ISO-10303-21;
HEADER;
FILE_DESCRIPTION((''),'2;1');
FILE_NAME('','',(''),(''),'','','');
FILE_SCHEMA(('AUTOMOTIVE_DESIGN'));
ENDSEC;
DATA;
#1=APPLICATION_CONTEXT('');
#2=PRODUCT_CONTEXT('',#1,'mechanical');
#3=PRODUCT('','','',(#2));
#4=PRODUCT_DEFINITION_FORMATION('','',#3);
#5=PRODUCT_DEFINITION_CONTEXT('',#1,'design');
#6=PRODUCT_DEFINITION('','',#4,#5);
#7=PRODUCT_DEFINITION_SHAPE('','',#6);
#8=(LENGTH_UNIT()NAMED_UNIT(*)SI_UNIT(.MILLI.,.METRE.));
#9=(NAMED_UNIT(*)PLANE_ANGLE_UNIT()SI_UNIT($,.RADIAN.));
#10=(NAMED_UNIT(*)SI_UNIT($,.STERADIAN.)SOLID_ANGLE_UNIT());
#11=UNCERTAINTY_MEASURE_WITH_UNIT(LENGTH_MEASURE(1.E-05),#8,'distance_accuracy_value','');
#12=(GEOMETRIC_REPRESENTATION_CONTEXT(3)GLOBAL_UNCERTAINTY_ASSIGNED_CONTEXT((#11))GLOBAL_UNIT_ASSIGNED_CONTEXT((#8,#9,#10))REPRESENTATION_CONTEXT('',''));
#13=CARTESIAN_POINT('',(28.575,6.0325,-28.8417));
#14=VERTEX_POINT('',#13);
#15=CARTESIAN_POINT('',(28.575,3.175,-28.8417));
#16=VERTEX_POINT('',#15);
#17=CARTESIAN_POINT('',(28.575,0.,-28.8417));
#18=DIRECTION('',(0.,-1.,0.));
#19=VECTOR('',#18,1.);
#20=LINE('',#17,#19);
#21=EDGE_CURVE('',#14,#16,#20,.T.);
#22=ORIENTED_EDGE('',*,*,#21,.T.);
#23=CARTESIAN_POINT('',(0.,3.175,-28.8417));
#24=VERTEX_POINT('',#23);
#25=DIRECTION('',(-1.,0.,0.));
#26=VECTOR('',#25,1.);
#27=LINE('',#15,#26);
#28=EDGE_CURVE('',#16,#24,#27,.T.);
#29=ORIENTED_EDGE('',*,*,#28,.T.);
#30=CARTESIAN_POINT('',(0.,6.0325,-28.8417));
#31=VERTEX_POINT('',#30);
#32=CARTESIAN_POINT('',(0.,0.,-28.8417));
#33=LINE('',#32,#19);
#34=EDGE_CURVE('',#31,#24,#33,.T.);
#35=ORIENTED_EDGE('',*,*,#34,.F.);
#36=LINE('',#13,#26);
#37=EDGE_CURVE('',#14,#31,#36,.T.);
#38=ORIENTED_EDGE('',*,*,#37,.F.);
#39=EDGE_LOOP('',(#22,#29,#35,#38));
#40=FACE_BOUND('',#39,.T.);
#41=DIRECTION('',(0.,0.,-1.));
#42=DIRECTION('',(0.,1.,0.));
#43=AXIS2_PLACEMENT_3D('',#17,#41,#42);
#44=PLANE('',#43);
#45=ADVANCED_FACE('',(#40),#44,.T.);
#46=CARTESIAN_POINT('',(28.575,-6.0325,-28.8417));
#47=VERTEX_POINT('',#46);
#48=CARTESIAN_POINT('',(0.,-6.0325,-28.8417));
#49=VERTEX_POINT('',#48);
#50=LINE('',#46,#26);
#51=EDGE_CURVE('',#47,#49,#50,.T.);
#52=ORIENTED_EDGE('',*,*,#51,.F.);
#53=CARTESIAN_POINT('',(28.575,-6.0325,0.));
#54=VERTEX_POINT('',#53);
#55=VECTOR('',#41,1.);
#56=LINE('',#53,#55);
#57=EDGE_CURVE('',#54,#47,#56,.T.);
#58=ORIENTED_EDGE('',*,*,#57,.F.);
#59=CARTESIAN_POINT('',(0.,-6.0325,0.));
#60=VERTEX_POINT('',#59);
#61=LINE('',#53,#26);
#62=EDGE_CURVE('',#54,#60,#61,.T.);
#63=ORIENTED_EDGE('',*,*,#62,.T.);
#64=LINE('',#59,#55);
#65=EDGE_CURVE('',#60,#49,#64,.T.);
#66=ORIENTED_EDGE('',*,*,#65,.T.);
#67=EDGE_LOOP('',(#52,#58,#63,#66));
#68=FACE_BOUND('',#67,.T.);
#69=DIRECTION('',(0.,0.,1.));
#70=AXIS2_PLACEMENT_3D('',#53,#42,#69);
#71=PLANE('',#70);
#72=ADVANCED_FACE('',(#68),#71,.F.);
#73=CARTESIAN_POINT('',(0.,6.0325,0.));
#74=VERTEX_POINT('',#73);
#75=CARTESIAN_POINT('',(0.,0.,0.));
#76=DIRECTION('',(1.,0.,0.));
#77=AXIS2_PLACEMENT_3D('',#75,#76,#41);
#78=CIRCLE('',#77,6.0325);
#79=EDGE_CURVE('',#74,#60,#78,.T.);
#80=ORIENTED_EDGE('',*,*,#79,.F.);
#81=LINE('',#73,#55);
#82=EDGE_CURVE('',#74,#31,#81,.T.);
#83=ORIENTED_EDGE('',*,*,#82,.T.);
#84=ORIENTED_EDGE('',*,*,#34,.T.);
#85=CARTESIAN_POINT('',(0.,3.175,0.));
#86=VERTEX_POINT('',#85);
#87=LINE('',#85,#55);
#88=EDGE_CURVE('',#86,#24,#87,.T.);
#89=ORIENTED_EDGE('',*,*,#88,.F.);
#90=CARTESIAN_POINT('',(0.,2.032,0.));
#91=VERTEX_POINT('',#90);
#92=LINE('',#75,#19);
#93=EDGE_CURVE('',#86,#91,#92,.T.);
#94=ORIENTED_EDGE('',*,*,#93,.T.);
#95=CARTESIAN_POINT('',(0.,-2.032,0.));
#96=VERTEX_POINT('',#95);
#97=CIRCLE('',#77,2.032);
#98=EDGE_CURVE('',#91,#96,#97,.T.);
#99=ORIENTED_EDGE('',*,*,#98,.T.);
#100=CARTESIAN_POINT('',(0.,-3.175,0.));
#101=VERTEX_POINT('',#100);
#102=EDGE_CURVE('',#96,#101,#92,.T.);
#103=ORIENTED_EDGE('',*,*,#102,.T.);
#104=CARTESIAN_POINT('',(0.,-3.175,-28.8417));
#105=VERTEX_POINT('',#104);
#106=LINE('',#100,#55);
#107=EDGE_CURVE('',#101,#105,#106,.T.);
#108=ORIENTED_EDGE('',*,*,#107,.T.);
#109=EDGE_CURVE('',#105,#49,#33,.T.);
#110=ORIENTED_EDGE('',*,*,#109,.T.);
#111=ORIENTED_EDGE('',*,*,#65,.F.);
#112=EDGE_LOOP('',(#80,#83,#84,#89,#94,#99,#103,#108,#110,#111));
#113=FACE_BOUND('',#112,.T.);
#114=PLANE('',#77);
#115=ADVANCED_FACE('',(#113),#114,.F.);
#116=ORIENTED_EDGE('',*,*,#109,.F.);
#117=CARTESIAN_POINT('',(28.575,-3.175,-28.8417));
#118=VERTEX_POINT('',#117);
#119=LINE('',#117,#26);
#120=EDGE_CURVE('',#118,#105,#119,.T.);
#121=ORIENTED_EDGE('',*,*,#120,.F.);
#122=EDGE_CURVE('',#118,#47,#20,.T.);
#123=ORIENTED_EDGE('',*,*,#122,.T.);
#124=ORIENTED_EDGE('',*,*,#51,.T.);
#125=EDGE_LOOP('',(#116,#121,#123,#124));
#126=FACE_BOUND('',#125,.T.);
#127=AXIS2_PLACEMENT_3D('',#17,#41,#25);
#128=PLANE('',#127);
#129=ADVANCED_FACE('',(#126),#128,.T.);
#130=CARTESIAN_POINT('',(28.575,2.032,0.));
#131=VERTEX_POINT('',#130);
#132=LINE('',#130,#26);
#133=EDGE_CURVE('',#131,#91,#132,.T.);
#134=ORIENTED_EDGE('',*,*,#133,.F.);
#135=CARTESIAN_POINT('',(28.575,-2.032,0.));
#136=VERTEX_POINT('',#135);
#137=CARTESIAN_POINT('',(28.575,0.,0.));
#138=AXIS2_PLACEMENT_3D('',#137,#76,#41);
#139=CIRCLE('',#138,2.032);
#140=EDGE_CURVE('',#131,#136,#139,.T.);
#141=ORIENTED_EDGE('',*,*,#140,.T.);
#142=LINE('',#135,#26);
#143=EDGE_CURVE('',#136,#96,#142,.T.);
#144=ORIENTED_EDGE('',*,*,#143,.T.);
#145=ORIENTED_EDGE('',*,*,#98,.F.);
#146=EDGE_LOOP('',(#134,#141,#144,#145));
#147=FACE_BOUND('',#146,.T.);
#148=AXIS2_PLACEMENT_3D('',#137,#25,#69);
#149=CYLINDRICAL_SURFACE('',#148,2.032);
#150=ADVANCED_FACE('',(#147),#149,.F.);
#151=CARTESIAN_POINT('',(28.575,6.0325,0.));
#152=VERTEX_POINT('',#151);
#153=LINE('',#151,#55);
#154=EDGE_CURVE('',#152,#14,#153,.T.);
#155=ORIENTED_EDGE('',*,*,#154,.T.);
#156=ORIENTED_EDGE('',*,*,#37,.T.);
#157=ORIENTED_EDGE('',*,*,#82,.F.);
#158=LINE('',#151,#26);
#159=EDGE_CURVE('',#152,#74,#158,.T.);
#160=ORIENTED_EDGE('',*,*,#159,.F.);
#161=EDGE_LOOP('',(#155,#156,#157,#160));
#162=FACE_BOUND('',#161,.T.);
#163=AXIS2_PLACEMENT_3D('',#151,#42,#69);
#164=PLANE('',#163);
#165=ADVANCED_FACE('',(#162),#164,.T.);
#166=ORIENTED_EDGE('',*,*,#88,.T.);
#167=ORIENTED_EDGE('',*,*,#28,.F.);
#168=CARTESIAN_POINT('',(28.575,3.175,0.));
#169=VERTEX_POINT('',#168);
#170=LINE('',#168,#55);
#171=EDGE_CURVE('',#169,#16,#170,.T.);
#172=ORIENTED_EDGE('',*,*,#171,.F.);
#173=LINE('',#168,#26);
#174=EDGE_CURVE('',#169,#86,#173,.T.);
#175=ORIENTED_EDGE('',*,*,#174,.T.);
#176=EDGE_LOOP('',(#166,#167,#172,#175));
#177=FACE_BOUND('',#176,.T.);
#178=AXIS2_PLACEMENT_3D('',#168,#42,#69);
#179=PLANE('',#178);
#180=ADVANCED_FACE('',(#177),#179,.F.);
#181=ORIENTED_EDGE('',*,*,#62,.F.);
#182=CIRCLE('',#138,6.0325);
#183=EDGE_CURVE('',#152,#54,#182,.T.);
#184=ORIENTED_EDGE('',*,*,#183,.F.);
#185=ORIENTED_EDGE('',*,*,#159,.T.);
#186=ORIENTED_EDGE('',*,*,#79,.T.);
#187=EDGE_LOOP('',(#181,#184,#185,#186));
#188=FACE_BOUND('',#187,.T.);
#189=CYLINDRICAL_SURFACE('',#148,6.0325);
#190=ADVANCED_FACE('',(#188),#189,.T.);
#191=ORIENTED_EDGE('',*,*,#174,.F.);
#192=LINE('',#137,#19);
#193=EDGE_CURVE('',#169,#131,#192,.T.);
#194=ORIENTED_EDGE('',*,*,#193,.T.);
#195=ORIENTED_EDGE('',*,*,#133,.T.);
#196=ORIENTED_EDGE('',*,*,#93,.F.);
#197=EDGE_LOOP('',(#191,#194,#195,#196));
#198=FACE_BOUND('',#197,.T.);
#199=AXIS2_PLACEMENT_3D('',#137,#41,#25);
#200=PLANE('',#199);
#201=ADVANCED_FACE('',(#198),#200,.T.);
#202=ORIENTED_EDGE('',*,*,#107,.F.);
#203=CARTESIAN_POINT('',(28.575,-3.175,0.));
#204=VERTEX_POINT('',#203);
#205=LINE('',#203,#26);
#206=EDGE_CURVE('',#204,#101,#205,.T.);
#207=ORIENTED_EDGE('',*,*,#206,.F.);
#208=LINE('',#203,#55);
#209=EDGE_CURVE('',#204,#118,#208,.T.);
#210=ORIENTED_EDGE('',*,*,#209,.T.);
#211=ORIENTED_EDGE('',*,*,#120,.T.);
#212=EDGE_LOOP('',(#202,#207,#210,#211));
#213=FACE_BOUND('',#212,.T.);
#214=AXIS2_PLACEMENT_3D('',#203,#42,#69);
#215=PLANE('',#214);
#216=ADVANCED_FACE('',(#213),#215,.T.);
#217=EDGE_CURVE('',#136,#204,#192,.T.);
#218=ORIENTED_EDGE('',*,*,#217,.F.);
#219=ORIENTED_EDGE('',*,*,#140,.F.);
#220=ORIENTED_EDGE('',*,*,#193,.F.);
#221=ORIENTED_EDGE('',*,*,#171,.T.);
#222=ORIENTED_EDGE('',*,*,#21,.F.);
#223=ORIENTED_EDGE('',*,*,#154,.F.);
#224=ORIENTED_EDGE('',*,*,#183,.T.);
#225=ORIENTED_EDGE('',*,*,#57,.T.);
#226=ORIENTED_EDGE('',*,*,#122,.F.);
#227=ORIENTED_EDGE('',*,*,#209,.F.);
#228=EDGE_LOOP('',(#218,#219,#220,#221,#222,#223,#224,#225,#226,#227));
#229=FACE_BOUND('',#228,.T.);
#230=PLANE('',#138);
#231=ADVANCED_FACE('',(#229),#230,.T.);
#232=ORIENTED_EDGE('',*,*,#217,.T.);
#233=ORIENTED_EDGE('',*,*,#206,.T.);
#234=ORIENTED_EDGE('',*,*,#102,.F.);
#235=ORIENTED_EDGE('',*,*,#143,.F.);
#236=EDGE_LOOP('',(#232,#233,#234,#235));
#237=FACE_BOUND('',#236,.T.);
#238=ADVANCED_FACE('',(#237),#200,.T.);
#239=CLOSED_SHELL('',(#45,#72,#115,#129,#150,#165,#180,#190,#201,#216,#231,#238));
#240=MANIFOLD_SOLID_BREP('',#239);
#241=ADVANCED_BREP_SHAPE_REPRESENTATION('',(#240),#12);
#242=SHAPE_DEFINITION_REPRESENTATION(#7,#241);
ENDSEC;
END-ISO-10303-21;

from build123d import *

# Parameters (mm, degrees)
SKETCH1_W           = 28.8417
SKETCH1_H           = 2.8575
BOSS_EXTRUDE1_DEPTH = 28.575


with BuildPart() as part:
    # Sketch1 → Boss-Extrude1 (new body)
    with BuildSketch(Plane(origin=(0, 0, 0), x_dir=(0, 0, -1), z_dir=(1, 0, 0))):
        with Locations((14.42085, 4.60375)):
            Rectangle(SKETCH1_W, SKETCH1_H)
        with BuildLine():
            ThreePointArc((0, 2.032), (-2.032, 0), (0, -2.032))
            Line((0, -2.032), (0, -6.0325))
            ThreePointArc((0, -6.0325), (-6.0325, 0), (0, 6.0325))
            Line((0, 6.0325), (0, 2.032))
        make_face()
        with Locations((14.42085, -4.60375)):
            Rectangle(SKETCH1_W, SKETCH1_H)
    extrude(amount=BOSS_EXTRUDE1_DEPTH)


solid = part.part
